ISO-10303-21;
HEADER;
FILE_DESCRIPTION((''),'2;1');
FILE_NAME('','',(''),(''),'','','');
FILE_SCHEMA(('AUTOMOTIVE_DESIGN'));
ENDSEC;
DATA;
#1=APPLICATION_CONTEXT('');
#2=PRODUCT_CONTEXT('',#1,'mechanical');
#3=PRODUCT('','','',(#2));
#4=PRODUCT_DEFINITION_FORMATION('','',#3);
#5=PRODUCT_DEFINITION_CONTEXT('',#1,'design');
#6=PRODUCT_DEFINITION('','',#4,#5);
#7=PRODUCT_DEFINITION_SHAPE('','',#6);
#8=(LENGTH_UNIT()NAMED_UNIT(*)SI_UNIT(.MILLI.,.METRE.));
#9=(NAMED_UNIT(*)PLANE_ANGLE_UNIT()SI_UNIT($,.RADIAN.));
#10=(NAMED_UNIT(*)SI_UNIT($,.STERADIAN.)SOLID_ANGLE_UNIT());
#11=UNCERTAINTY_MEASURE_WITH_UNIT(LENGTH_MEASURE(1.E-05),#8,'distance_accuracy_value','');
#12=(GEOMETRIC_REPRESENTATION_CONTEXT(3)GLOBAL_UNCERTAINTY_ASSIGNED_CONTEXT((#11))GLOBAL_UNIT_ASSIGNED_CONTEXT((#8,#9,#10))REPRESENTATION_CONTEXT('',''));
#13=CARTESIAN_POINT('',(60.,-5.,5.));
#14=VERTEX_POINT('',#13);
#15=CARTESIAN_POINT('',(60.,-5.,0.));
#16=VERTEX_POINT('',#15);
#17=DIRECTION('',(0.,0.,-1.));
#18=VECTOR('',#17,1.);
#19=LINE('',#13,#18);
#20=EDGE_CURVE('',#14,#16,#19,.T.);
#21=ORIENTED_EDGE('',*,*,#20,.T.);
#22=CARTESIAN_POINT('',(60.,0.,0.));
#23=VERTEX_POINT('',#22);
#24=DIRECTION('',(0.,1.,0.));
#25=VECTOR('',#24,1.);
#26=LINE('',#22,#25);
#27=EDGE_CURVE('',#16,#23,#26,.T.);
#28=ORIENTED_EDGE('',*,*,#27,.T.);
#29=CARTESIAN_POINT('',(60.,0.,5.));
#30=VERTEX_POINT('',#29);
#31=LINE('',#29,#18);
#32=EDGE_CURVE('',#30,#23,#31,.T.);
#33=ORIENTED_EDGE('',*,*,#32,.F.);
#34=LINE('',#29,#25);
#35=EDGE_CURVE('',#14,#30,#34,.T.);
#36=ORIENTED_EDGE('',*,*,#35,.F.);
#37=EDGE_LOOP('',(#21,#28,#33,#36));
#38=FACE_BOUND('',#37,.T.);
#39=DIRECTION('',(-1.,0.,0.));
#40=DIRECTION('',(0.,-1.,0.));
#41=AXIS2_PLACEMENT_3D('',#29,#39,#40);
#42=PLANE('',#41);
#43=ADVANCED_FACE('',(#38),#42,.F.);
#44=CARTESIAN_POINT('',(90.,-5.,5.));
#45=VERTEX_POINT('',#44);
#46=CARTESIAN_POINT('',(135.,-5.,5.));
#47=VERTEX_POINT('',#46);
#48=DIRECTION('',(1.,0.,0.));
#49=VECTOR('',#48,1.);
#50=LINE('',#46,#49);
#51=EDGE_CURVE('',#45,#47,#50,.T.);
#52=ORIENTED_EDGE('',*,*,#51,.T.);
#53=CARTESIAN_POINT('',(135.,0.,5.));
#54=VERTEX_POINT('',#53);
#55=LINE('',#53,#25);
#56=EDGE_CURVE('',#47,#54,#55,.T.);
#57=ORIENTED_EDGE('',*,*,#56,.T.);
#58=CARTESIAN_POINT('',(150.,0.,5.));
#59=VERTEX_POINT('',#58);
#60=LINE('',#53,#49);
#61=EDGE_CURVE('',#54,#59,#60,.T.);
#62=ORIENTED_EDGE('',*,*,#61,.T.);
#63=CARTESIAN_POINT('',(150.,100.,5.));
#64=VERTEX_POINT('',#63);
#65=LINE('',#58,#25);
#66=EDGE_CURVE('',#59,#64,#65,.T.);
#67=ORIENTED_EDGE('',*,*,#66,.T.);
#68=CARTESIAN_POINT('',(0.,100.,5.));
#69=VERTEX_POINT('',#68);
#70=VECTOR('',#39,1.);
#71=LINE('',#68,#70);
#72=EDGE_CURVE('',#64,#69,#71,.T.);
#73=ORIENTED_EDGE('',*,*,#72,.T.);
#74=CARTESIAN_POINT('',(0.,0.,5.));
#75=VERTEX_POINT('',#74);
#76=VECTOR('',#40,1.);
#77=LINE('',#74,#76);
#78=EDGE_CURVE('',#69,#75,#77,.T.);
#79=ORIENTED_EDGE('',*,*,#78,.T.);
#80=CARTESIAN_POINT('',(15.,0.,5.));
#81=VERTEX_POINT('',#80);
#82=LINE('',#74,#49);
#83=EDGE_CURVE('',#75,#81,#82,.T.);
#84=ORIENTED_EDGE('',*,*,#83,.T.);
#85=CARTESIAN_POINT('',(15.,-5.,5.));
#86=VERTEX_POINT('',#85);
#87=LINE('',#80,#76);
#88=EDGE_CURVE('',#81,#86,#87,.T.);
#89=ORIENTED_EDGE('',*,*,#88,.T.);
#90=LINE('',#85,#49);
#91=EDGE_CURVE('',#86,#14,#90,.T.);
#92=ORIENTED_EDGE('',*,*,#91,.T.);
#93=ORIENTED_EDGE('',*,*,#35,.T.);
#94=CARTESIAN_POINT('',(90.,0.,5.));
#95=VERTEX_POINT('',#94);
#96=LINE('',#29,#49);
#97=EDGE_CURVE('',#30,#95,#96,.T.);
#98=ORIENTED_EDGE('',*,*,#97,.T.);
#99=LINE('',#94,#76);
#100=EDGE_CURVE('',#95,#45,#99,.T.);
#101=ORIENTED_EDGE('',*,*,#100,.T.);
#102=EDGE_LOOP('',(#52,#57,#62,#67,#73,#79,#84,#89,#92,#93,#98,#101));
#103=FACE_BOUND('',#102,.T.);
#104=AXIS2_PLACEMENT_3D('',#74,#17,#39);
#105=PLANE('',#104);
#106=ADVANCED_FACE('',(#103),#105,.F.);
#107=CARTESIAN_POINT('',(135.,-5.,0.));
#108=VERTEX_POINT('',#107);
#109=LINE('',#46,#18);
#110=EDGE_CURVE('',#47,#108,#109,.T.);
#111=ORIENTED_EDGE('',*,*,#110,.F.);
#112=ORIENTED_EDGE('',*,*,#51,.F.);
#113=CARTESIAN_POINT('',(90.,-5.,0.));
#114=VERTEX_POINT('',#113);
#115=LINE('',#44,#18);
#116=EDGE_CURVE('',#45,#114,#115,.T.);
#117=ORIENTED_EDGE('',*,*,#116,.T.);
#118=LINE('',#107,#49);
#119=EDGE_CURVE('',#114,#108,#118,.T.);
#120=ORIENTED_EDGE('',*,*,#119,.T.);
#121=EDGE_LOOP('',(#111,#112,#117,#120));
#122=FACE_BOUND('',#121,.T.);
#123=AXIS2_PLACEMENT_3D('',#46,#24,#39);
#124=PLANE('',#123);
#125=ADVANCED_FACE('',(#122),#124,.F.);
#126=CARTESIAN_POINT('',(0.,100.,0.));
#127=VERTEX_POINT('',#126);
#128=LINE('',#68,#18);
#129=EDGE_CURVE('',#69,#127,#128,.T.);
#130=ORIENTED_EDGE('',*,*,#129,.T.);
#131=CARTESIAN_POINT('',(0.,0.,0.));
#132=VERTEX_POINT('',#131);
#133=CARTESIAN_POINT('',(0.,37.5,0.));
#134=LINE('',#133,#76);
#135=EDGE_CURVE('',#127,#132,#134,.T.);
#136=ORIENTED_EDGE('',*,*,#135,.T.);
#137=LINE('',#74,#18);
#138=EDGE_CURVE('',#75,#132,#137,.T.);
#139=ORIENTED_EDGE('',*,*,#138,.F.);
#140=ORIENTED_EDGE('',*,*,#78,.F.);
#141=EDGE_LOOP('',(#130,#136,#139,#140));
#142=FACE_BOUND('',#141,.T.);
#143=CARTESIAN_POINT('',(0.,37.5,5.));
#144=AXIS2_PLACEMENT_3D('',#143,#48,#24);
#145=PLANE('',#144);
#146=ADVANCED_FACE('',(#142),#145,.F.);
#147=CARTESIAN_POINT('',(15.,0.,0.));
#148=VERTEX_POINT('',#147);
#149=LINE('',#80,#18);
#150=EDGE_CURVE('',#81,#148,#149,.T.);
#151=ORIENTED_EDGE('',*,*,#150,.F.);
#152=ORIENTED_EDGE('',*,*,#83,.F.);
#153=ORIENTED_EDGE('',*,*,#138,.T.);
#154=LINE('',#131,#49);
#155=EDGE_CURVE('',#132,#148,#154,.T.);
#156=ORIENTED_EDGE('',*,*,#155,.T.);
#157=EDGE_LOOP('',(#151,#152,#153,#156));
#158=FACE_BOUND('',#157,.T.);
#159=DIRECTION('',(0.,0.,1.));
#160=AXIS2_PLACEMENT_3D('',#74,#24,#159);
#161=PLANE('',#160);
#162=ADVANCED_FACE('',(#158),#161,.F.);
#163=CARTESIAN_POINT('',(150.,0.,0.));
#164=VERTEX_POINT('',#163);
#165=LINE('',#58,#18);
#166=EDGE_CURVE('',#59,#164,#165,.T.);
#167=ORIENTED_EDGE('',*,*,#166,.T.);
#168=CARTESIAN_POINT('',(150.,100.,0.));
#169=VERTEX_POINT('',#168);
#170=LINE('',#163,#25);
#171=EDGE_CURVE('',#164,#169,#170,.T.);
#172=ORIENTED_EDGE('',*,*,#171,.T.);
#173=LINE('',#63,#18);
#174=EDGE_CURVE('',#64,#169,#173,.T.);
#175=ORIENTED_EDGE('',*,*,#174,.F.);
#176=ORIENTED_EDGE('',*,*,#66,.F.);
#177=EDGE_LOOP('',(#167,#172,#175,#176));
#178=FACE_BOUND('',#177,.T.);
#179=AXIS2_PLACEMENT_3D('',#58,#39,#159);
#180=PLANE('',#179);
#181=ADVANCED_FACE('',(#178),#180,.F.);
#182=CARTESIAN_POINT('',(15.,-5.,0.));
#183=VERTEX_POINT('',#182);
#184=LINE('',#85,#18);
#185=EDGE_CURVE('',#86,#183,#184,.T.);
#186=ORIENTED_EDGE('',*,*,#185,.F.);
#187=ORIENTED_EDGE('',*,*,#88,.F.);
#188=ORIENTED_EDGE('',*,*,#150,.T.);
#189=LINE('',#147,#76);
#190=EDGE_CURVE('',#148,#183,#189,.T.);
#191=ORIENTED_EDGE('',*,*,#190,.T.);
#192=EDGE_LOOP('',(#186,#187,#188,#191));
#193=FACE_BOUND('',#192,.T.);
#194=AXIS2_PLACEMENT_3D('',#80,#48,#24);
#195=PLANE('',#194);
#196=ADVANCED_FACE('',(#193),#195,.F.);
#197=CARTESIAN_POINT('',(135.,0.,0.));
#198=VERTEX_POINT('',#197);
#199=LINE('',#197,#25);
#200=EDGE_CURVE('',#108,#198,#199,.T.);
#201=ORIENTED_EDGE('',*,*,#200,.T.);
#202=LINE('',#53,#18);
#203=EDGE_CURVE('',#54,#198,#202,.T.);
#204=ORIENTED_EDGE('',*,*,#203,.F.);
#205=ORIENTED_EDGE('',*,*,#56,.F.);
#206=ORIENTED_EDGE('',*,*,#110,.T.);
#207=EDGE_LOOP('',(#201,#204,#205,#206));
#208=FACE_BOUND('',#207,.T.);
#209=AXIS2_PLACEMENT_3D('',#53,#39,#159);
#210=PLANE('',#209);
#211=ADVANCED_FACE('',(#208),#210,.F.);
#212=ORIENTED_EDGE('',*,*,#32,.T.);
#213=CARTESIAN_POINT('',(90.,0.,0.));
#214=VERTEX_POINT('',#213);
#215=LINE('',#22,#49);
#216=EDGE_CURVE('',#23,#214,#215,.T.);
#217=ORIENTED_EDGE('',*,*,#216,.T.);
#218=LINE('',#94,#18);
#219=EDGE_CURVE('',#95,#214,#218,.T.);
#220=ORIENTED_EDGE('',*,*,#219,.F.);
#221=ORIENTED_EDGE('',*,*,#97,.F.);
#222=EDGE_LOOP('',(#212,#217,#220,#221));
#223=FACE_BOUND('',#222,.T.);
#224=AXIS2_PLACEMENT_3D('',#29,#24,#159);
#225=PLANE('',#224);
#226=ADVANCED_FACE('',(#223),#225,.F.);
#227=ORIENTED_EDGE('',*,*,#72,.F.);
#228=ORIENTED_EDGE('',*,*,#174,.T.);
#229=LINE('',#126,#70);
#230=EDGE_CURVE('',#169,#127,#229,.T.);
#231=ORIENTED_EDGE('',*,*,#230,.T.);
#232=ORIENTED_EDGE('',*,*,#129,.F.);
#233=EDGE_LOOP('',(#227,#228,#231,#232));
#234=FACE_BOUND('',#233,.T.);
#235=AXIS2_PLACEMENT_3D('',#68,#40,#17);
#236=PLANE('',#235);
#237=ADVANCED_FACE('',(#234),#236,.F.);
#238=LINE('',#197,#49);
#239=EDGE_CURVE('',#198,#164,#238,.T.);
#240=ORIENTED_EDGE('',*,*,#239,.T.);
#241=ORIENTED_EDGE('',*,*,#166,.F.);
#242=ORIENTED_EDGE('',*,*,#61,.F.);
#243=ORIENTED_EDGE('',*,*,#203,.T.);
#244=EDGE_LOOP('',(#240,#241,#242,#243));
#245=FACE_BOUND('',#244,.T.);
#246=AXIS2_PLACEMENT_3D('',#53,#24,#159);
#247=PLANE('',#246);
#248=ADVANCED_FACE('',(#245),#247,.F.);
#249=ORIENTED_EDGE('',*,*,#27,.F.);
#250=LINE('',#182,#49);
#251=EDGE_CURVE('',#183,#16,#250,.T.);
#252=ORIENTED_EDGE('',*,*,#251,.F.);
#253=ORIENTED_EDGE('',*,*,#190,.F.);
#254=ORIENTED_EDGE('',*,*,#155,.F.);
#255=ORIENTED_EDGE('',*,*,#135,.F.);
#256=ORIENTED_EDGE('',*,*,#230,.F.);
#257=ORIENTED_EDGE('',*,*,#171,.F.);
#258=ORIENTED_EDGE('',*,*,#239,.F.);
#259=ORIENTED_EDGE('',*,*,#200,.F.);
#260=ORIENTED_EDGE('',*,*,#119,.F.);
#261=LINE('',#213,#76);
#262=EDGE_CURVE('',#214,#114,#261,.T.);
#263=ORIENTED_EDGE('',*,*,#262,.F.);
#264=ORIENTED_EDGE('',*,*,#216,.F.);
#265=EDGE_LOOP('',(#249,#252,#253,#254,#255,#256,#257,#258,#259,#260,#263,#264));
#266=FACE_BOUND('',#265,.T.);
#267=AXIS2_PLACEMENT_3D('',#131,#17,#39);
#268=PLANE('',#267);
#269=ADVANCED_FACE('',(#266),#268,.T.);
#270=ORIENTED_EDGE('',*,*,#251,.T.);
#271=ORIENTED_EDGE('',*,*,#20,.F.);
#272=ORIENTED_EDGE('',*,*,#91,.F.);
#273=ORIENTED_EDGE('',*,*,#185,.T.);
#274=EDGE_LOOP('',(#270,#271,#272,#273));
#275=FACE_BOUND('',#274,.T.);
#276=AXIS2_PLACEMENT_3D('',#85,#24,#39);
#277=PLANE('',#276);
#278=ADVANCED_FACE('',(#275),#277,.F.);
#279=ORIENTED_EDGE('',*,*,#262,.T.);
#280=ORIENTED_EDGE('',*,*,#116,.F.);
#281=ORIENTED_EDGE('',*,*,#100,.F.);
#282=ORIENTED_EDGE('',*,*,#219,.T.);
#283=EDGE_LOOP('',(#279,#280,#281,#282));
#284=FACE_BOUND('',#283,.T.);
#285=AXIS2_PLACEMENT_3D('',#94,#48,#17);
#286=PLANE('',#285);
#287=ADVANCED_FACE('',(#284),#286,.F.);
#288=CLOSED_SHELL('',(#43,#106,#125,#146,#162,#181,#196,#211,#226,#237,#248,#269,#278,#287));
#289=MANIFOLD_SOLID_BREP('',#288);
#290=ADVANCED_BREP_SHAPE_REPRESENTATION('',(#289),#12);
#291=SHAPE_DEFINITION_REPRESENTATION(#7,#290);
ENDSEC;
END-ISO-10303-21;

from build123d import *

# Parameters (mm, degrees)
SALIENTE_EXTRUIR1_DEPTH = 5


with BuildPart() as part:
    # Croquis1 → Saliente-Extruir1 (new body)
    with BuildSketch(Plane.XY):
        Polygon((0, 0), (15, 0), (15, -5), (60, -5), (60, 0), (90, 0), (90, -5), (135, -5), (135, 0), (150, 0), (150, 100), (0, 100), (0, 87.5), (0, 62.5), (0, 37.5), (0, 12.5), align=None)
    extrude(amount=SALIENTE_EXTRUIR1_DEPTH)


solid = part.part
